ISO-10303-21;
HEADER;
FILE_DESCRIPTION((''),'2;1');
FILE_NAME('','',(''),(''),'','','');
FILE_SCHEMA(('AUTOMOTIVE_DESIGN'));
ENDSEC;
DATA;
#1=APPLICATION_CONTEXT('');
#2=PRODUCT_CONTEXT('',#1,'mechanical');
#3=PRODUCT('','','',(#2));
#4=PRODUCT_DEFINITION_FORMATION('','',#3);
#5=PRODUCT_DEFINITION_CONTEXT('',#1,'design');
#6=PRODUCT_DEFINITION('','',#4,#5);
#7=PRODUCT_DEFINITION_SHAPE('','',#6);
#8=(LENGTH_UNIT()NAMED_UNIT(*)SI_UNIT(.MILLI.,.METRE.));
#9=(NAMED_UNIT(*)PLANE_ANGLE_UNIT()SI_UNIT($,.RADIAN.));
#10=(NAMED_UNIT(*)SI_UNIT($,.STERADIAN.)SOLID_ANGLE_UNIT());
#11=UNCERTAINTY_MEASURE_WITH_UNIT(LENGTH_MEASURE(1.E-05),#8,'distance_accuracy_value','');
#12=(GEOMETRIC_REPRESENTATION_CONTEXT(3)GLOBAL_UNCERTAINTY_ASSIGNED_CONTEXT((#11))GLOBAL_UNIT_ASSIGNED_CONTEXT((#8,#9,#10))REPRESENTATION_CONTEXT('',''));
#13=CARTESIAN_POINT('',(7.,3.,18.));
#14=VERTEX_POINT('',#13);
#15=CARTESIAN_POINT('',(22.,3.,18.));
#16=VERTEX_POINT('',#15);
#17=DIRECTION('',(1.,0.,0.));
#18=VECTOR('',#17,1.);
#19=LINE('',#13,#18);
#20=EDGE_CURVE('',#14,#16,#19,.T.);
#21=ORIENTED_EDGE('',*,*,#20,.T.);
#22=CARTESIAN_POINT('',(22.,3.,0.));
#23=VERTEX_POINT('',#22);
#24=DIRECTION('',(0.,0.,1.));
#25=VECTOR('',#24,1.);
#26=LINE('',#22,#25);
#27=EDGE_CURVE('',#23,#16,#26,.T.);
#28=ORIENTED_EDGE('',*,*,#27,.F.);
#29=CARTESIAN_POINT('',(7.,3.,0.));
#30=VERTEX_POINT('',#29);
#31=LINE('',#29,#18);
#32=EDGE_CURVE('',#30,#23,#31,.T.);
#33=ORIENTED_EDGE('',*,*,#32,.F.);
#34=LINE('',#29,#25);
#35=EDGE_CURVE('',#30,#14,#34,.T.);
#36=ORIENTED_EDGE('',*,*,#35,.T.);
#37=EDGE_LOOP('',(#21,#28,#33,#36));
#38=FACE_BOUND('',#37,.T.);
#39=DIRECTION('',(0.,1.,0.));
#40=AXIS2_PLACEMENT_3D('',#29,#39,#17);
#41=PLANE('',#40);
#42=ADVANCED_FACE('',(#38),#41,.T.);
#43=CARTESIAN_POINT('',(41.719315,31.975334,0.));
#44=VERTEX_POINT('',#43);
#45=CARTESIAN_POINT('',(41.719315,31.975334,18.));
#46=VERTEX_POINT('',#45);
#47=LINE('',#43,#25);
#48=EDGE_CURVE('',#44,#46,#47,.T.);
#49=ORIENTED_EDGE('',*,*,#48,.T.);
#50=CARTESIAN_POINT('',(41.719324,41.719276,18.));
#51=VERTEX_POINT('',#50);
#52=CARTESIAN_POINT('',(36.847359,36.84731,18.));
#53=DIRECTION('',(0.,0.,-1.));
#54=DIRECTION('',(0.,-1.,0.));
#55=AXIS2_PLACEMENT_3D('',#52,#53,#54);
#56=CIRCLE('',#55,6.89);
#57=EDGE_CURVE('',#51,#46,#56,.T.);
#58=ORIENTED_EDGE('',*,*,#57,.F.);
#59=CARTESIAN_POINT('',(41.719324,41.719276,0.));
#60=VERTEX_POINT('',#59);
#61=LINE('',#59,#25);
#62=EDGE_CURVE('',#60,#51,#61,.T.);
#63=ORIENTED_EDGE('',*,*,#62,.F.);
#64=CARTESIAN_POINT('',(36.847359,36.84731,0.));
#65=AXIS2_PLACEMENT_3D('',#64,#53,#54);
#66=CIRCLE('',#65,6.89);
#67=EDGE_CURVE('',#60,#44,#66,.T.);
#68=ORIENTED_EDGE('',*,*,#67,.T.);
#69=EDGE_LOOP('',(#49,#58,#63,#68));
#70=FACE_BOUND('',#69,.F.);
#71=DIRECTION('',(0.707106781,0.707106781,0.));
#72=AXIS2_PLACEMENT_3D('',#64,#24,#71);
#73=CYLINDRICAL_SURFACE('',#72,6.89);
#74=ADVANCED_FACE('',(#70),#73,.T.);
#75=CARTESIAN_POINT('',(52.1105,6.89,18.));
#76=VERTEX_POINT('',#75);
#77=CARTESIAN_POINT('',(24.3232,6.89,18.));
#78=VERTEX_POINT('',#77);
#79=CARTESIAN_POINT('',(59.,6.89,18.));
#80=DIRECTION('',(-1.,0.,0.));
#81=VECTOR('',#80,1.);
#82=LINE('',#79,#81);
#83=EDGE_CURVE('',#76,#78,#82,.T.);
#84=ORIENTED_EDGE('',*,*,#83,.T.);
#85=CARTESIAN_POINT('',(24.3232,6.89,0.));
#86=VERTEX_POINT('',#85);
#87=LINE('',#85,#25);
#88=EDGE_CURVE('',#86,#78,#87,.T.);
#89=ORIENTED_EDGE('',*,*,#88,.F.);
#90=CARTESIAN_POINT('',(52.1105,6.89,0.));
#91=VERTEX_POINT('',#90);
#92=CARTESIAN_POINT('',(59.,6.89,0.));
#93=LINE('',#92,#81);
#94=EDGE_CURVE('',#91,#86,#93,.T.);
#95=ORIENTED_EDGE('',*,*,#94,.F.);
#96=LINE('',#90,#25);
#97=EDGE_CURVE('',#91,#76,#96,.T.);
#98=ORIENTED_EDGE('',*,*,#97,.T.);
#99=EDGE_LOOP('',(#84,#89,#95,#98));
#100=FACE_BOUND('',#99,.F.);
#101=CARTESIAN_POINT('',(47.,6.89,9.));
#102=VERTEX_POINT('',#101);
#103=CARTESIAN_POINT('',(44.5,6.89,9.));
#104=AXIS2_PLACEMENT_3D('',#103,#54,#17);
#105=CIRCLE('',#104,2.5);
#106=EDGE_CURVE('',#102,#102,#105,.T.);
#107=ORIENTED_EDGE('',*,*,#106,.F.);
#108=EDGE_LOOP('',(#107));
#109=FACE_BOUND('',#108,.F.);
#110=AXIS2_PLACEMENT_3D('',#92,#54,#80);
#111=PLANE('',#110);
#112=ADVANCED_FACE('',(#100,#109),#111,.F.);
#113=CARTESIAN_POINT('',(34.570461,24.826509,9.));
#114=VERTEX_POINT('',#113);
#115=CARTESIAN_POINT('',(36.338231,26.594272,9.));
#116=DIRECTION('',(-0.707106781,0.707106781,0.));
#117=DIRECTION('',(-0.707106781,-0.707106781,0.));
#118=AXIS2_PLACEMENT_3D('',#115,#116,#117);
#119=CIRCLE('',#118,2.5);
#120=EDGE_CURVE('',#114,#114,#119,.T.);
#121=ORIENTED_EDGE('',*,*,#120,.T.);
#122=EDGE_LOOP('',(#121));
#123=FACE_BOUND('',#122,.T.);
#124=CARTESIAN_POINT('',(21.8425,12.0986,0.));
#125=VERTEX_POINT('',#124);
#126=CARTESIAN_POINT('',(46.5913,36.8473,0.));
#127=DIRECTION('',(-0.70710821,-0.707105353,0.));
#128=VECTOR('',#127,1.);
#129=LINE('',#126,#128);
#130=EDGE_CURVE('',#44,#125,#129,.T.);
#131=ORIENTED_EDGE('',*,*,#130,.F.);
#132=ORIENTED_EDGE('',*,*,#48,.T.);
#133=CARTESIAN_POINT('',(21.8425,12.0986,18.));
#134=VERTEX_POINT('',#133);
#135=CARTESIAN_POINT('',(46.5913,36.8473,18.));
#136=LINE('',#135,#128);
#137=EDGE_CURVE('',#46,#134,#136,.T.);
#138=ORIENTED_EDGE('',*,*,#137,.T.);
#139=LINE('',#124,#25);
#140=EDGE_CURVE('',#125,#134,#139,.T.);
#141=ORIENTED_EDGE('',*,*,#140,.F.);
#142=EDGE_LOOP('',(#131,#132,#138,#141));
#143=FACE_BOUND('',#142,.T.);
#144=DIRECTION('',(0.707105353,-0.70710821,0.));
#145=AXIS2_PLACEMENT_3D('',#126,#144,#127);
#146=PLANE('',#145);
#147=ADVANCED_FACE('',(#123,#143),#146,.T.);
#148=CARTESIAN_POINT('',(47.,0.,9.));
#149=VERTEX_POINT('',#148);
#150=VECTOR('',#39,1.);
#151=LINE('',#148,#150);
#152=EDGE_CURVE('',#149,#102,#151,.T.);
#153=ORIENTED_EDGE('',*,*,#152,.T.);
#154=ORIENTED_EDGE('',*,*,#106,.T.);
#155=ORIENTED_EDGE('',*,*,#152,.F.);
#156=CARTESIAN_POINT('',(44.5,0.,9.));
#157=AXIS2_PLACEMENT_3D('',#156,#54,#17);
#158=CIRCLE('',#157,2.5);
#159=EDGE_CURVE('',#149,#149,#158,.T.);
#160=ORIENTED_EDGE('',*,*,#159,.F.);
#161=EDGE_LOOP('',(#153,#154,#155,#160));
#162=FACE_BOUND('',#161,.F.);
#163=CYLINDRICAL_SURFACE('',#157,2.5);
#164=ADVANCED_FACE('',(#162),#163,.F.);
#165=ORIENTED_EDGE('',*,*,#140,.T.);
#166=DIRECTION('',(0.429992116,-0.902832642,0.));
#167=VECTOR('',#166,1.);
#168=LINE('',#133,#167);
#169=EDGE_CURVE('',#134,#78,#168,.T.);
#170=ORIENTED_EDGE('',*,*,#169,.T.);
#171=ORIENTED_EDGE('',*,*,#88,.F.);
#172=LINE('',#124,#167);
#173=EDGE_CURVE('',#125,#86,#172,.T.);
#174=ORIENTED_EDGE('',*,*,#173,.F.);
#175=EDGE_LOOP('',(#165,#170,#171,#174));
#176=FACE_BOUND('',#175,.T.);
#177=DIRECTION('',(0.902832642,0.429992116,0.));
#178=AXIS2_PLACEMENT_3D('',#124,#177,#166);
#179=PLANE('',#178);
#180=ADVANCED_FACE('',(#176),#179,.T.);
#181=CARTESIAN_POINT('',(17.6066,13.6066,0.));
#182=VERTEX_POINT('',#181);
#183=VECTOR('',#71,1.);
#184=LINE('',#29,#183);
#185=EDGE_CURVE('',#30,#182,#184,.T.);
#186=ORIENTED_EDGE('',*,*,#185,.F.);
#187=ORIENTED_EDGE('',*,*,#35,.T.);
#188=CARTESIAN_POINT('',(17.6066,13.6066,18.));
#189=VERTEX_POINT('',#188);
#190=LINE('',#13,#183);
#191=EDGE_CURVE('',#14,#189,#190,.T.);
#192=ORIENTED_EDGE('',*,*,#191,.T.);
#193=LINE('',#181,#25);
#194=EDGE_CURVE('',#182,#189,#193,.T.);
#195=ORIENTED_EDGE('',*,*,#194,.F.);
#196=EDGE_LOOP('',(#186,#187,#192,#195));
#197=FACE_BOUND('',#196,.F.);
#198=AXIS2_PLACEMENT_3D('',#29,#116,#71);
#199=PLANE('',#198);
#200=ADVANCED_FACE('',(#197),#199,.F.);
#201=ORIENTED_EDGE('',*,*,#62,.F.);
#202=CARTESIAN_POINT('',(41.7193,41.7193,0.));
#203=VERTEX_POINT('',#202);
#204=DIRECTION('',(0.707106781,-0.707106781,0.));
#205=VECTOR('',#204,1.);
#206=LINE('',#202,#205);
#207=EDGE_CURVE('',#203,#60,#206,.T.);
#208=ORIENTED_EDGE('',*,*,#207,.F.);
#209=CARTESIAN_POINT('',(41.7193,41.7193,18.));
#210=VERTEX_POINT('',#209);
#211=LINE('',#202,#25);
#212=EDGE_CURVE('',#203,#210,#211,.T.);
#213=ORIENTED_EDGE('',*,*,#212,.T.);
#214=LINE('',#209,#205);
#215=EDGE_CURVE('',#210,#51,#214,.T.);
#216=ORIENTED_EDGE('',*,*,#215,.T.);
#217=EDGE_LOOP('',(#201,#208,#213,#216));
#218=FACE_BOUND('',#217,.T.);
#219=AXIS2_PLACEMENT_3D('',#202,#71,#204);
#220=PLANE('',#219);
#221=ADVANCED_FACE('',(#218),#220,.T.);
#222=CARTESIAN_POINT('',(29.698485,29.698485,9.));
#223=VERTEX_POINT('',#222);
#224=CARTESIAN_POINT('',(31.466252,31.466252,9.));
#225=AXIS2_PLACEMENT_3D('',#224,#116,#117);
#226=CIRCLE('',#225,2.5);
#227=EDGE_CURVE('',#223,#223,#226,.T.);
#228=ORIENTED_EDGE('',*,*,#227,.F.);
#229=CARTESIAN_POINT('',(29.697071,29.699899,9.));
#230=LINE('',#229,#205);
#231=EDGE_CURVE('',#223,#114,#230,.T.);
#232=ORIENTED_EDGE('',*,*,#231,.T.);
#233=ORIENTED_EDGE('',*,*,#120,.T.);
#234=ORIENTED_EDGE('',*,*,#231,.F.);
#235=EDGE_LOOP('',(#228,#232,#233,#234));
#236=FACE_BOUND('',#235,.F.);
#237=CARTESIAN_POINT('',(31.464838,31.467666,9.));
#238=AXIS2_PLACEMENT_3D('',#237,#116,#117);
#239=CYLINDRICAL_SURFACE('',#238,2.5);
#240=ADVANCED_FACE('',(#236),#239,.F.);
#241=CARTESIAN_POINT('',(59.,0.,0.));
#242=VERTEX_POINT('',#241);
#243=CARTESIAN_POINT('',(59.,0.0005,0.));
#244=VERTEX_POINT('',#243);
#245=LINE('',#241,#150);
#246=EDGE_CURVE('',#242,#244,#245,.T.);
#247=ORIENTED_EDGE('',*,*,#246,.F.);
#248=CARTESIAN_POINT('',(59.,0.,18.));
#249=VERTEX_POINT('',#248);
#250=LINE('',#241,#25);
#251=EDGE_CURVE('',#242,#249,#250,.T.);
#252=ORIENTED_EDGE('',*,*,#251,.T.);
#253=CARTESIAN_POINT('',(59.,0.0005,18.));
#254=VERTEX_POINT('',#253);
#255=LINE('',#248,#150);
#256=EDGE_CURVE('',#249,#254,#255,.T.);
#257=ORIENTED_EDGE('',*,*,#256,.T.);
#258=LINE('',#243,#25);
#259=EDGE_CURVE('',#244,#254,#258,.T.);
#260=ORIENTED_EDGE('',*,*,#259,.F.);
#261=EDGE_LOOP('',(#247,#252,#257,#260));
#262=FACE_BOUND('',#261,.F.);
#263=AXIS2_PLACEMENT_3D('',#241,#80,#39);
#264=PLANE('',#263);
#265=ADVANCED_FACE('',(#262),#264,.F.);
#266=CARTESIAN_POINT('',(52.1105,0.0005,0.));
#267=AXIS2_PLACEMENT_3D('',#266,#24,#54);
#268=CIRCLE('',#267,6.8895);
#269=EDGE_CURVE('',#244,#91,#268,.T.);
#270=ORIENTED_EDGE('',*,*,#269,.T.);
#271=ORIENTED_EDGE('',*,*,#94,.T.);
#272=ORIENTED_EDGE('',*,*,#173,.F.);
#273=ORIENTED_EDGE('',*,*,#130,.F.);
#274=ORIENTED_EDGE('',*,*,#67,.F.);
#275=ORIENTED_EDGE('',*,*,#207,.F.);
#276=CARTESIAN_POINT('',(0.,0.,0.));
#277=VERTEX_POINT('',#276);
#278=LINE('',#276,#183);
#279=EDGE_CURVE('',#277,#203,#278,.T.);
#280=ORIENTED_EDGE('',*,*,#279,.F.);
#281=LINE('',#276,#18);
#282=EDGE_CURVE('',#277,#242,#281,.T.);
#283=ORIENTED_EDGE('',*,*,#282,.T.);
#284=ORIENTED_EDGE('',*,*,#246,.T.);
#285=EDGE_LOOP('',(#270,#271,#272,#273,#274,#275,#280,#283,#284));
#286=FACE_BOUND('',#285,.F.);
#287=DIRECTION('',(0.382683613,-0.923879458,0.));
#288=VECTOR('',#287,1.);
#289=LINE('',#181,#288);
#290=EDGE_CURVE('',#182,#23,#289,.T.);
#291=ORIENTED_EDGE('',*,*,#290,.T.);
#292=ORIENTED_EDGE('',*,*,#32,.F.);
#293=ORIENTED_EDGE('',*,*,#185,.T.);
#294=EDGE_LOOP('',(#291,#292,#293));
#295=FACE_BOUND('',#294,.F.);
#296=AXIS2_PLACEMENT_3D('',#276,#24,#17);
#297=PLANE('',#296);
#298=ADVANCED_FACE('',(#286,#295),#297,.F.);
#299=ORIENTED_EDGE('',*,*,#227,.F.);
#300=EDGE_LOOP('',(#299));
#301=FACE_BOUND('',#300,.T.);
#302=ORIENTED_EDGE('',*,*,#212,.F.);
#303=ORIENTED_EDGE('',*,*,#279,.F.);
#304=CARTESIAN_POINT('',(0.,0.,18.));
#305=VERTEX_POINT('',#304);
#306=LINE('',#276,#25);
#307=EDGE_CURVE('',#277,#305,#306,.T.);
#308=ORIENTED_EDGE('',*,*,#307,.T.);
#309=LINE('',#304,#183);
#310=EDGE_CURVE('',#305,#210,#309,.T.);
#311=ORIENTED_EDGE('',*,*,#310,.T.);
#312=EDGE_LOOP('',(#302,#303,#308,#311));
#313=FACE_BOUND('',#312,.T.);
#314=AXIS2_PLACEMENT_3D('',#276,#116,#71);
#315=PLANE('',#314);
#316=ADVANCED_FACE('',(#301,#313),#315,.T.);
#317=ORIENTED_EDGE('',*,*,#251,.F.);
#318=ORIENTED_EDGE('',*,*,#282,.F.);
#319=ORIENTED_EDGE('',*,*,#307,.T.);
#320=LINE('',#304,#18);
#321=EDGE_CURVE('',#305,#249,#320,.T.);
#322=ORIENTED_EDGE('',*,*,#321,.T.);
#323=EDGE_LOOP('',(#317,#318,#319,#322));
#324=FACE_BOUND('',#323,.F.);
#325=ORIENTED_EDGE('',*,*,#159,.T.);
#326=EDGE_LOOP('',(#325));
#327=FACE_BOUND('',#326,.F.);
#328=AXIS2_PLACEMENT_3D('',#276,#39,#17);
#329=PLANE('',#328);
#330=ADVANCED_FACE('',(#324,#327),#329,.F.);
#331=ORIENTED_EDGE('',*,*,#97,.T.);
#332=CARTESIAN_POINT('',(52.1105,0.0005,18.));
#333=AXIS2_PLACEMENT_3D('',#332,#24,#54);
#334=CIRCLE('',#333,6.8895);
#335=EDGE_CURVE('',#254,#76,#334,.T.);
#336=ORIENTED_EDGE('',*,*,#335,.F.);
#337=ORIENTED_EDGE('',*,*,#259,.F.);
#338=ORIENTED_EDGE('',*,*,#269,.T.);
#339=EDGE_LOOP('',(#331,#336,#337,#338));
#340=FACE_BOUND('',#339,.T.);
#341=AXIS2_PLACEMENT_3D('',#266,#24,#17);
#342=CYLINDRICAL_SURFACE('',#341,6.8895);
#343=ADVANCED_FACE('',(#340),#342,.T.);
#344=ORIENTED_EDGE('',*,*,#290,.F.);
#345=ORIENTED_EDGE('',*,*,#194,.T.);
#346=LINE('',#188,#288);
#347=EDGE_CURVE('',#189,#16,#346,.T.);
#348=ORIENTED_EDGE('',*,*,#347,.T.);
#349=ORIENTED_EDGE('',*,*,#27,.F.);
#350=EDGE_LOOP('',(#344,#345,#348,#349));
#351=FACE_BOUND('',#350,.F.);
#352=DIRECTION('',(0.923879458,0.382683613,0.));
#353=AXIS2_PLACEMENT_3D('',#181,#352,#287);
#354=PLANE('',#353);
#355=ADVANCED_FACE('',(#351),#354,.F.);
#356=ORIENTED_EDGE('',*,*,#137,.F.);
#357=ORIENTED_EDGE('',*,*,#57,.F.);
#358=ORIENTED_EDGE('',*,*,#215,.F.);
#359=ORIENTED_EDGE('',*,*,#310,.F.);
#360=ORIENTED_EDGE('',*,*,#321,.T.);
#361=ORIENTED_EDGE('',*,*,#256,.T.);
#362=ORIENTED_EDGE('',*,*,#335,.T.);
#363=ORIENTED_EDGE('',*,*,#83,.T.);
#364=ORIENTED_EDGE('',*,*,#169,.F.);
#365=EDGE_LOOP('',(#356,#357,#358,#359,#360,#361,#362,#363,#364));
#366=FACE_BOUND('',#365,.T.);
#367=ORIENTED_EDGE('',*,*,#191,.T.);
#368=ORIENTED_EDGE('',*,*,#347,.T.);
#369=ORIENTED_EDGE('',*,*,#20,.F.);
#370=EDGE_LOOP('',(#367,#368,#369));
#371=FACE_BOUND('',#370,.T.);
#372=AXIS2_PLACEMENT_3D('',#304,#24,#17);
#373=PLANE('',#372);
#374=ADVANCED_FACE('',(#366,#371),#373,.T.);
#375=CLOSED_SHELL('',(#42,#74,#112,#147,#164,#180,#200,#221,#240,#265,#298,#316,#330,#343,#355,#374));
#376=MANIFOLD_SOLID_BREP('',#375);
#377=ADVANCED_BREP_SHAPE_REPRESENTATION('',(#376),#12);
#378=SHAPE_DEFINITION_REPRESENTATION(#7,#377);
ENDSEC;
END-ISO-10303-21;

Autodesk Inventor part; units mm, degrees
ref_plane "YZ Plane" through (0, 0, 0) normal (1, 0, 0) x (0, 1, 0)
ref_plane "XZ Plane" through (0, 0, 0) normal (0, 1, 0) x (-1, 0, 0)
ref_plane "XY Plane" through (0, 0, 0) normal (0, 0, 1) x (1, 0, 0)
sketch "Sketch1" plane through (0, 0, 0) normal (0, 0, 1) x (1, 0, 0)
  line L0 (0, 0) -> (59, 0)
  line L1 (7, 3) -> (22, 3)
  line L2 (7, 3) -> (22, 3) construction
  line L3 (0, 0) -> (41.7193, 41.7193)
  line L4 (0, 0) -> (59, 0) construction
  line L5 (7, 3) -> (17.6066, 13.6066)
  line L6 (7, 3) -> (22, 3) construction
  line L7 (17.6066, 13.6066) -> (22, 3)
  line L8 (59, 0) -> (59, 6.89)
  line L9 (59, 6.89) -> (24, 6.89)
  line L10 (41.7193, 41.7193) -> (46.5913, 36.8473)
  line L11 (46.5913, 36.8473) -> (21.8425, 12.0986)
  line L12 (21.8425, 12.0986) -> (24.3232, 6.89)
  dimension "d0" = 59
  dimension "d1" = 15
  dimension "d3" = 59
  dimension "d4" = 45
  dimension "d5" = 15
  dimension "d6" = 45
  dimension "d7" = 6.89
  dimension "d8" = 35
  dimension "d10" = 6.89
  dimension "d11" = 35
extrude "Extrusion1" add sketch "Sketch1" along normal blind 18
sketch "Sketch2" plane through (0, 0, 18) normal (0, 0, 1) x (1, 0, 0)
  point P0 (0, 0)
fillet "Fillet1" radius 6.89 1 edges at (46.5913, 36.8473, 9)
fillet "Fillet2" radius 6.89 1 edges at (59, 6.89, 9)
sketch "Sketch3" plane through (24.3232, 6.89, 18) normal (0, 1, 0) x (1, 0, 0)
  point P0 (-24.3232, 18)
sketch "Sketch4" plane through (0, 0, 0) normal (0, -1, 0) x (1, 0, 0)
  point P0 (0, 0)
sketch "Sketch5" plane through (0, 0, 0) normal (0, -1, 0) x (1, 0, 0)
  circle A0 centre (44.5, 9) radius 2.5
  point P0 (0, 0)
  dimension "d16" = 5
extrude "Extrusion2" cut sketch "Sketch5" against normal blind 6.89
sketch "Sketch6" plane through (0, 0, 0) normal (-0.7071, 0.7071, 0) x (-0.7071, -0.7071, 0)
  circle A0 centre (-44.5, 9) radius 2.5
  point P0 (0, 0)
  dimension "d19" = 5
extrude "Extrusion3" cut sketch "Sketch6" against normal blind 6.89
properties part number "45 Degree Connector"
